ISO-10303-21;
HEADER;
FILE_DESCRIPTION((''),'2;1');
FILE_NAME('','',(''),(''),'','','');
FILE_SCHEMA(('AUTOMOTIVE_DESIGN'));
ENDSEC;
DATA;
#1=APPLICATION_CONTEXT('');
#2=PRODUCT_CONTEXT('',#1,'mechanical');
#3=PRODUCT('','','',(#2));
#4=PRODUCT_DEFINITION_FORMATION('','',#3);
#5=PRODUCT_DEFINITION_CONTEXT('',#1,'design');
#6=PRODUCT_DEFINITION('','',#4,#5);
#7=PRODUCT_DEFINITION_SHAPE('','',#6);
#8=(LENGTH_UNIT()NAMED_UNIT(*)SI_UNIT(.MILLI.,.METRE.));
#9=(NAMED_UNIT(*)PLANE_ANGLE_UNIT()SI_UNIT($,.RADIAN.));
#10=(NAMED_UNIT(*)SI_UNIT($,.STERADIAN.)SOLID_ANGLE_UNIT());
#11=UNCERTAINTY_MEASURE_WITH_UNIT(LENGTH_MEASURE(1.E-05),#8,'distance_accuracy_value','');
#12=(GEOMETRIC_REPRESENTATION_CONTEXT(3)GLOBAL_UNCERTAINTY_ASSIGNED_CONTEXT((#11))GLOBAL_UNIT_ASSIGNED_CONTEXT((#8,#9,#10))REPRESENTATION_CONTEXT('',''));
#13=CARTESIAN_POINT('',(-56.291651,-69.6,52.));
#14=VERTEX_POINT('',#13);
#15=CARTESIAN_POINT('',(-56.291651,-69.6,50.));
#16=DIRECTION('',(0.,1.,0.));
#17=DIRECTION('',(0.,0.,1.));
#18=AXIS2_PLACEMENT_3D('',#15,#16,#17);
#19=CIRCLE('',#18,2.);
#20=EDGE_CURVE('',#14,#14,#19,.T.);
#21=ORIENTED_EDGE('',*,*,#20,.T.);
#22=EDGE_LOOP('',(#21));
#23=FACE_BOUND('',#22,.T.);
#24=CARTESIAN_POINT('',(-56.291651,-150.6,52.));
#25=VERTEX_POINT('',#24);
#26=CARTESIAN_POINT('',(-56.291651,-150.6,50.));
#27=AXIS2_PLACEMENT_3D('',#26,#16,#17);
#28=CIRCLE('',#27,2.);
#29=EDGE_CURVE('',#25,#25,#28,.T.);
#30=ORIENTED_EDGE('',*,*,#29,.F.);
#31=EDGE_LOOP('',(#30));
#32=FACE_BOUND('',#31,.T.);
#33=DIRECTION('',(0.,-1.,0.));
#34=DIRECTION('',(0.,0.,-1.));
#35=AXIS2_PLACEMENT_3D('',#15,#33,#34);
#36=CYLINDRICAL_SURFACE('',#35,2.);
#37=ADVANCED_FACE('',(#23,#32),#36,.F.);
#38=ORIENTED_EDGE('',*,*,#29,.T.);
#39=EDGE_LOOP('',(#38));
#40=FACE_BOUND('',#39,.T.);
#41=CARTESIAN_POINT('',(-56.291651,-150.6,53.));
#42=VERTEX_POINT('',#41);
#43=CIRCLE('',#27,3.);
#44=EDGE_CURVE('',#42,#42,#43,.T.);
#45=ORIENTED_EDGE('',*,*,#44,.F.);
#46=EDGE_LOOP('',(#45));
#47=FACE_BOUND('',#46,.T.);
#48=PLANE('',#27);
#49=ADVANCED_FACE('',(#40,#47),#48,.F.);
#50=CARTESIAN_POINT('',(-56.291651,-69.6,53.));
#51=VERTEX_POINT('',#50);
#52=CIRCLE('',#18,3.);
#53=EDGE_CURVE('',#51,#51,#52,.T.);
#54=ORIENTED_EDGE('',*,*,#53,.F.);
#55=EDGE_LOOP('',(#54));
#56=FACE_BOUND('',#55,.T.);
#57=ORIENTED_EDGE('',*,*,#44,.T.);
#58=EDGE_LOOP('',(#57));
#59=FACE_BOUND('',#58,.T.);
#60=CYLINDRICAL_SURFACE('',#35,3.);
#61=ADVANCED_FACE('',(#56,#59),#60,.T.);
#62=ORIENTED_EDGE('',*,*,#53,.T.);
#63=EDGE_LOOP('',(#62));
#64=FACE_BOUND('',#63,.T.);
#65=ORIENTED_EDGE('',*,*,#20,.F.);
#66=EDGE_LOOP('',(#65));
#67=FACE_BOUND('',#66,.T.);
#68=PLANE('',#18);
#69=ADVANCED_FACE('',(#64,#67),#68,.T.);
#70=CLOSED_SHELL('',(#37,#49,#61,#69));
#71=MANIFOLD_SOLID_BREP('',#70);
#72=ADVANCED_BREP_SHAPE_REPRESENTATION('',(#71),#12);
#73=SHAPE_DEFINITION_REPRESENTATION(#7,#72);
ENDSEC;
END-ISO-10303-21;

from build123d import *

# Parameters (mm, degrees)
BASE_OUTLINE_SKETCH_R   = 3
BASE_OUTLINE_SKETCH_R_2 = 2
BASE_OUTLINE_DEPTH      = 81


with BuildPart() as part:
    # Base Outline Sketch → Base Outline (new body)
    with BuildSketch(Plane(origin=(0, -150.6, 0), x_dir=(1, 0, 0), z_dir=(0, 1, 0))):
        with Locations(Location((-56.291651246, -50, 0), (0, 0, 270))):
            Circle(BASE_OUTLINE_SKETCH_R)
        with Locations(Location((-56.291651246, -50, 0), (0, 0, 270))):
            Circle(BASE_OUTLINE_SKETCH_R_2, mode=Mode.SUBTRACT)
    extrude(amount=BASE_OUTLINE_DEPTH)


solid = part.part
